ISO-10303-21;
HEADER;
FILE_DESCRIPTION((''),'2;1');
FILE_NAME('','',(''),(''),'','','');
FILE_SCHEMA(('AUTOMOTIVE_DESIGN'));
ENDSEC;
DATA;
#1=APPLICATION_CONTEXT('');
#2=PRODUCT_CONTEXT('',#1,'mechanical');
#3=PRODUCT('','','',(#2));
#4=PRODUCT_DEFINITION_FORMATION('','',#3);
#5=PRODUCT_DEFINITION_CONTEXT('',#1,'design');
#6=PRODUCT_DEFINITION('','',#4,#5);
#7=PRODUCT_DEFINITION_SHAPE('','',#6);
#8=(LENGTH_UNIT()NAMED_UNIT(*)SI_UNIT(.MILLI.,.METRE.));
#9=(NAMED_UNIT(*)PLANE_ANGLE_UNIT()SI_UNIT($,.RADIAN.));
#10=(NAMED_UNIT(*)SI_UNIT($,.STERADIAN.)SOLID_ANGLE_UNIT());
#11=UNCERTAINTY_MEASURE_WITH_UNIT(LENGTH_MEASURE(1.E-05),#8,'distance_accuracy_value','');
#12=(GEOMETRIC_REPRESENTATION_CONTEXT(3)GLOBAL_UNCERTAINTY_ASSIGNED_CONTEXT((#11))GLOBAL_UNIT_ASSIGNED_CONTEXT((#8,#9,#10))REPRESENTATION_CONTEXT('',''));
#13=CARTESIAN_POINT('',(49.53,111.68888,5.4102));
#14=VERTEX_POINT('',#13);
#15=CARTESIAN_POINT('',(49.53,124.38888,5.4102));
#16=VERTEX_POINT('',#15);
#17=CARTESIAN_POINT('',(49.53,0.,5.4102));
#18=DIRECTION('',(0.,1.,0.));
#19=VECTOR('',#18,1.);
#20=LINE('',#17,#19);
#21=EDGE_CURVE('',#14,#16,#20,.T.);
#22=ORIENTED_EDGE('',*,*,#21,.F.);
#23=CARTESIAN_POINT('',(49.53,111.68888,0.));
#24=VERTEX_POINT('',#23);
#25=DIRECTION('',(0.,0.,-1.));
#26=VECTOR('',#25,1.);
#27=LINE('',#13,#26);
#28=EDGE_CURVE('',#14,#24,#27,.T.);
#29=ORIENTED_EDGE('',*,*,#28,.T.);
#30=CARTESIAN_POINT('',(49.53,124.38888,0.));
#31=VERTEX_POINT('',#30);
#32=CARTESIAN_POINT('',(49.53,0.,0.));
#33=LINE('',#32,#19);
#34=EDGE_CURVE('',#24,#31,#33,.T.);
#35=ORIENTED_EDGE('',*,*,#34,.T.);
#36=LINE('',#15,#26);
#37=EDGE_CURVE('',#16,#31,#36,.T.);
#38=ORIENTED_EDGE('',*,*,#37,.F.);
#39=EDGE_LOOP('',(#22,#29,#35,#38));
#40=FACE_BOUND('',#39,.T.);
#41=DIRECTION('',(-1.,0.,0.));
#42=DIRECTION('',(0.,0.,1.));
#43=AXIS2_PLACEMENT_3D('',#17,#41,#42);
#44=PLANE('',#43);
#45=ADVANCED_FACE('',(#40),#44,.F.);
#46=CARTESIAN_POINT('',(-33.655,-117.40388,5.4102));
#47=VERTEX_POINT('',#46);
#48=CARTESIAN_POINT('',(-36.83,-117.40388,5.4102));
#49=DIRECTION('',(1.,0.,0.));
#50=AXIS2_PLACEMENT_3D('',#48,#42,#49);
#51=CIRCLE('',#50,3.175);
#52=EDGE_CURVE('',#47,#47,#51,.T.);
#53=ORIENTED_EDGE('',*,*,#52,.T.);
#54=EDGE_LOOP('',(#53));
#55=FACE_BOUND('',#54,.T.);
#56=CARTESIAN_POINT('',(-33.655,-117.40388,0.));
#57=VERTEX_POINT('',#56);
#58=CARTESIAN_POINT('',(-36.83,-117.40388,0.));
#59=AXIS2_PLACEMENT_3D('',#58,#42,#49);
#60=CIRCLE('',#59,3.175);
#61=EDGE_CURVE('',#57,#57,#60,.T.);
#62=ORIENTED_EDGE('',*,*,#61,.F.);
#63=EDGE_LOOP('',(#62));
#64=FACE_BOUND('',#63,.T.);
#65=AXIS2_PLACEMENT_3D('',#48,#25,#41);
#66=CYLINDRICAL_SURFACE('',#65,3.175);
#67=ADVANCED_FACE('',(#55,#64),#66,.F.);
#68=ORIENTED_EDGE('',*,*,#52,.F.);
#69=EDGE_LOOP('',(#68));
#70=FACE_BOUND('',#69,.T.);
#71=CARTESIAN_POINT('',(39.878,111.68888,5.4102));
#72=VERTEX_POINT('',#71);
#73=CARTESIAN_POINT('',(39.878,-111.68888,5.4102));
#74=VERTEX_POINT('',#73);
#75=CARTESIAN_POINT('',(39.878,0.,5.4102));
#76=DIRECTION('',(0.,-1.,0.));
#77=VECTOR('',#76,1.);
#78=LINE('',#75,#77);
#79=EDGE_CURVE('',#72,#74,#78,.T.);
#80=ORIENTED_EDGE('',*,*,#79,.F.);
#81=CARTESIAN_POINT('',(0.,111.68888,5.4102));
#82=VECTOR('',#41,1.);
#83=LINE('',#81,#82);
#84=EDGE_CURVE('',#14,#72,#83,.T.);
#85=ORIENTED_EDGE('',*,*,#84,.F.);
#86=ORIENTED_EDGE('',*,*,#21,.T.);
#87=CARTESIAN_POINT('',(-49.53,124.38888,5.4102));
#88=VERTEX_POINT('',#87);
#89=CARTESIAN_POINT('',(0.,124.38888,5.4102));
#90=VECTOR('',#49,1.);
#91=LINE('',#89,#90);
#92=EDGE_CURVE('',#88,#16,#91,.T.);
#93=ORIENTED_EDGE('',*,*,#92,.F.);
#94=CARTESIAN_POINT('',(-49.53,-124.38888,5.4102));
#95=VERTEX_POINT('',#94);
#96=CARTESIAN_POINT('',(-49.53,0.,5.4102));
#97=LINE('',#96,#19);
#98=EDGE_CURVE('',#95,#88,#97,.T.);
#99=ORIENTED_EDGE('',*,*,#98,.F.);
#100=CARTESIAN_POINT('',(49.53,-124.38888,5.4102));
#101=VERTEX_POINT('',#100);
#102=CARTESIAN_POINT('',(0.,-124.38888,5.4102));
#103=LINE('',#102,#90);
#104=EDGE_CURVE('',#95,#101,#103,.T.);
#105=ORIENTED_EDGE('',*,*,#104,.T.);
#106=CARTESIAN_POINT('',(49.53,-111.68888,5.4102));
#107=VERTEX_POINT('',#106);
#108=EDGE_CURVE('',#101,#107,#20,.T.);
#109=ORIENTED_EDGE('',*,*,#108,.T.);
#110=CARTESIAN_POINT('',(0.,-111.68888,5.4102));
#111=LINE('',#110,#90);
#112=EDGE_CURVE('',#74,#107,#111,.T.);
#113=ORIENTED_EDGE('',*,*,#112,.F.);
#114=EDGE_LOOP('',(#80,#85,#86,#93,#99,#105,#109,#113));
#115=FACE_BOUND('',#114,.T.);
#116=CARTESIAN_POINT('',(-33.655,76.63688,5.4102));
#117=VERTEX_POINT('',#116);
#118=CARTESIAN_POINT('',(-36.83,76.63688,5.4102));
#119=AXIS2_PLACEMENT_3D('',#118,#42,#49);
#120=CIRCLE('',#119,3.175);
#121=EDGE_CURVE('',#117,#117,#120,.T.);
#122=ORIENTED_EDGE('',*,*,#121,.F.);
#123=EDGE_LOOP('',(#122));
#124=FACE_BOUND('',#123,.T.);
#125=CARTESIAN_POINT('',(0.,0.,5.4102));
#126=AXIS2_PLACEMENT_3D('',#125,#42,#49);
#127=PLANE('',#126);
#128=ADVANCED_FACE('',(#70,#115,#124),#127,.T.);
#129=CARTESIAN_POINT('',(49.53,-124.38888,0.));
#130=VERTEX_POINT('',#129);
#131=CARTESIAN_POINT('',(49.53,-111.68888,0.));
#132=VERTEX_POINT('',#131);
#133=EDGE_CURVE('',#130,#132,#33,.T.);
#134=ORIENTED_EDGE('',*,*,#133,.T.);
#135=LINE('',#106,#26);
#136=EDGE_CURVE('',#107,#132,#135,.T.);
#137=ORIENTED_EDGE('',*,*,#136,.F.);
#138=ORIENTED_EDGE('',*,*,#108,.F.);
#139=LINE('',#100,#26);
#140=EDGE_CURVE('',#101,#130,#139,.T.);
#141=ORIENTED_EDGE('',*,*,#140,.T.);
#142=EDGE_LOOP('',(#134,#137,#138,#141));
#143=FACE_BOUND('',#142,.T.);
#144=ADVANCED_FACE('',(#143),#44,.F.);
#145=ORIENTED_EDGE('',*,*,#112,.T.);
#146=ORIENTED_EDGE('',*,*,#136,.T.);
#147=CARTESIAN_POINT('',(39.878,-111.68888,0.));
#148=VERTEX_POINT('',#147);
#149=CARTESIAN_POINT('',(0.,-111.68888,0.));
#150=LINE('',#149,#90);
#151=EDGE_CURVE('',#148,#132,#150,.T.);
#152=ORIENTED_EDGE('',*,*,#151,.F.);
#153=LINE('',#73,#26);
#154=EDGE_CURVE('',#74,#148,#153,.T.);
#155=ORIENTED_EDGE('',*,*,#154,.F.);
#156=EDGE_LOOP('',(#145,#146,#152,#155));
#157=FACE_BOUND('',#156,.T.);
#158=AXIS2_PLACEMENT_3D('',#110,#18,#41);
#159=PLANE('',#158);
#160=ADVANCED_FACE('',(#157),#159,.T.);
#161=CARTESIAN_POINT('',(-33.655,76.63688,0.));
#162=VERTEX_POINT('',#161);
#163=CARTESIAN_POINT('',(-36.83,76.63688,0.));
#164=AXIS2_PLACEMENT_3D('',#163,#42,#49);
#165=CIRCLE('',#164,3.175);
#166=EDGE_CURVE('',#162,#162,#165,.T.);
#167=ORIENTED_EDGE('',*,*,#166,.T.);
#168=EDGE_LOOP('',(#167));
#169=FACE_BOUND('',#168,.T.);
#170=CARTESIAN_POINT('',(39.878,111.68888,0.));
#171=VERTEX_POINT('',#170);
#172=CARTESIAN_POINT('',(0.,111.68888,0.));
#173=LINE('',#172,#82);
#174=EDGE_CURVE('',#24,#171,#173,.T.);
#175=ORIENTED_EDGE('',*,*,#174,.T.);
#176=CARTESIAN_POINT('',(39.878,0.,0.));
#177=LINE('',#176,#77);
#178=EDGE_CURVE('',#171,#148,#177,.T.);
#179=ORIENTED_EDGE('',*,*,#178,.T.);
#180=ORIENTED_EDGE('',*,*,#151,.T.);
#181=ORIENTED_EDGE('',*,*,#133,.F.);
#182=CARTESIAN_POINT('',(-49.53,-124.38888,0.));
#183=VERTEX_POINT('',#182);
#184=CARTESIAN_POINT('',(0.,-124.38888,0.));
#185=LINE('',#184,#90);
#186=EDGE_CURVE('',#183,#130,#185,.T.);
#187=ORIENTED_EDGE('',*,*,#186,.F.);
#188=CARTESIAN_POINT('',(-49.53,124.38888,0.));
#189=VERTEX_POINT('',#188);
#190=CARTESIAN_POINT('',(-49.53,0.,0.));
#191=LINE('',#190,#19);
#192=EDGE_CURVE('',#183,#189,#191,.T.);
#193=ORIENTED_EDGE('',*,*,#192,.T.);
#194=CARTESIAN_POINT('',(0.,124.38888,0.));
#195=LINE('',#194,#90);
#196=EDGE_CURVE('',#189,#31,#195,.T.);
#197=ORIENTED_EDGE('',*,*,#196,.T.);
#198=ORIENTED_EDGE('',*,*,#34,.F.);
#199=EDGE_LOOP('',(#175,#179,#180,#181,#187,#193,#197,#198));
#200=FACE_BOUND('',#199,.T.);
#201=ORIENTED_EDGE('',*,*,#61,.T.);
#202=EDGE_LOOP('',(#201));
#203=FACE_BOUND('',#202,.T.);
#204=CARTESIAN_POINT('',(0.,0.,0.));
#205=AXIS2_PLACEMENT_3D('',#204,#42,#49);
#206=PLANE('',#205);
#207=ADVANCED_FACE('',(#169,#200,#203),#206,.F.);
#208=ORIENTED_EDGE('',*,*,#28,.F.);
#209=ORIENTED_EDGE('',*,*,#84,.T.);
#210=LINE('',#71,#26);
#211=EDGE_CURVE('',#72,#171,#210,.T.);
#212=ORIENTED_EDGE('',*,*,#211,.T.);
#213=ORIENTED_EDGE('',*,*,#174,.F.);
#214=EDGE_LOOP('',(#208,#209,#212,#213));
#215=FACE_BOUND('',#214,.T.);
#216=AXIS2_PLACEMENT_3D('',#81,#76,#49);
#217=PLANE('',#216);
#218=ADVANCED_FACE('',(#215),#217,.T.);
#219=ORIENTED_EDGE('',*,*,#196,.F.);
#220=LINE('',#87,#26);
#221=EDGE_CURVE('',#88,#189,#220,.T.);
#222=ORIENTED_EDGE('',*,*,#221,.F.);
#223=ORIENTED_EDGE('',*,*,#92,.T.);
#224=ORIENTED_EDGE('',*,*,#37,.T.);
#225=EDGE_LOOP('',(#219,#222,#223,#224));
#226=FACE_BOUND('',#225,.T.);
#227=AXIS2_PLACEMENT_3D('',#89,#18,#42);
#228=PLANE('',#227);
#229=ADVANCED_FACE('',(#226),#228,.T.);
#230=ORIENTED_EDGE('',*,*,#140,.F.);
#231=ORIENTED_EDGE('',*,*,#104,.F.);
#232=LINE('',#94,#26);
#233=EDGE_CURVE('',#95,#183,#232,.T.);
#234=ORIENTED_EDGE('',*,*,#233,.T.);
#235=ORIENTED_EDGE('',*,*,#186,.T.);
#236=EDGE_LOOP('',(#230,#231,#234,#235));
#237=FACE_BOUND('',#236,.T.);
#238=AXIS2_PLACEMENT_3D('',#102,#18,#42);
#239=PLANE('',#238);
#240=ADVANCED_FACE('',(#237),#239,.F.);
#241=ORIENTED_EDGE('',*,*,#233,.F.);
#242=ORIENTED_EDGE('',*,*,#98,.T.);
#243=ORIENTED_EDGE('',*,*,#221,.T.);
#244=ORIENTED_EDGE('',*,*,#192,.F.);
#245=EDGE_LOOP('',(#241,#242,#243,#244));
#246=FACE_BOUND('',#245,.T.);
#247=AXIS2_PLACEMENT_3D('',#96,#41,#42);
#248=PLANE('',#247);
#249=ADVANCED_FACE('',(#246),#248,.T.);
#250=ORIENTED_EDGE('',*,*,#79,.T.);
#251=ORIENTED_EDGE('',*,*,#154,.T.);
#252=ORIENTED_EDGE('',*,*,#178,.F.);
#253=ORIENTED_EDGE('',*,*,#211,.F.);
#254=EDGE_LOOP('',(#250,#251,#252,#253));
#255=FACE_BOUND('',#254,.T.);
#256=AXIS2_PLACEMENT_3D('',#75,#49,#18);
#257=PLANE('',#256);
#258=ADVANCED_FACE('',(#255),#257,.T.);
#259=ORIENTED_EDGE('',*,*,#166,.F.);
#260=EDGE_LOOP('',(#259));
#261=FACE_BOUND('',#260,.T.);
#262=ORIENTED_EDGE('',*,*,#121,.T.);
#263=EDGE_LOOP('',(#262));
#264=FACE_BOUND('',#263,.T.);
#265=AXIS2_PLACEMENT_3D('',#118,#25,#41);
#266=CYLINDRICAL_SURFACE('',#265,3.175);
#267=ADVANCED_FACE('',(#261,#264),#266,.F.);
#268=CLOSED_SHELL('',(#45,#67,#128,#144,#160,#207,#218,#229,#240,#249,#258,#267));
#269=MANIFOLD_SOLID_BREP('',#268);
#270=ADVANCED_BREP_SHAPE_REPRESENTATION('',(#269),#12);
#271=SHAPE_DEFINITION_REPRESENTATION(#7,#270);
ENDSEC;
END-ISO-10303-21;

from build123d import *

# Parameters (mm, degrees)
SKETCH1_R           = 3.175
BOSS_EXTRUDE1_DEPTH = 5.4102


with BuildPart() as part:
    # Sketch1 → Boss-Extrude1 (new body)
    with BuildSketch(Plane.XY):
        Polygon((39.878, 111.68888), (49.53, 111.68888), (49.53, 124.38888), (-49.53, 124.38888), (-49.53, -124.38888), (49.53, -124.38888), (49.53, -111.68888), (39.878, -111.68888), align=None)
        with Locations((-36.83, -117.40388)):
            Circle(SKETCH1_R, mode=Mode.SUBTRACT)
        with Locations((-36.83, 76.63688)):
            Circle(SKETCH1_R, mode=Mode.SUBTRACT)
    extrude(amount=BOSS_EXTRUDE1_DEPTH)


solid = part.part
